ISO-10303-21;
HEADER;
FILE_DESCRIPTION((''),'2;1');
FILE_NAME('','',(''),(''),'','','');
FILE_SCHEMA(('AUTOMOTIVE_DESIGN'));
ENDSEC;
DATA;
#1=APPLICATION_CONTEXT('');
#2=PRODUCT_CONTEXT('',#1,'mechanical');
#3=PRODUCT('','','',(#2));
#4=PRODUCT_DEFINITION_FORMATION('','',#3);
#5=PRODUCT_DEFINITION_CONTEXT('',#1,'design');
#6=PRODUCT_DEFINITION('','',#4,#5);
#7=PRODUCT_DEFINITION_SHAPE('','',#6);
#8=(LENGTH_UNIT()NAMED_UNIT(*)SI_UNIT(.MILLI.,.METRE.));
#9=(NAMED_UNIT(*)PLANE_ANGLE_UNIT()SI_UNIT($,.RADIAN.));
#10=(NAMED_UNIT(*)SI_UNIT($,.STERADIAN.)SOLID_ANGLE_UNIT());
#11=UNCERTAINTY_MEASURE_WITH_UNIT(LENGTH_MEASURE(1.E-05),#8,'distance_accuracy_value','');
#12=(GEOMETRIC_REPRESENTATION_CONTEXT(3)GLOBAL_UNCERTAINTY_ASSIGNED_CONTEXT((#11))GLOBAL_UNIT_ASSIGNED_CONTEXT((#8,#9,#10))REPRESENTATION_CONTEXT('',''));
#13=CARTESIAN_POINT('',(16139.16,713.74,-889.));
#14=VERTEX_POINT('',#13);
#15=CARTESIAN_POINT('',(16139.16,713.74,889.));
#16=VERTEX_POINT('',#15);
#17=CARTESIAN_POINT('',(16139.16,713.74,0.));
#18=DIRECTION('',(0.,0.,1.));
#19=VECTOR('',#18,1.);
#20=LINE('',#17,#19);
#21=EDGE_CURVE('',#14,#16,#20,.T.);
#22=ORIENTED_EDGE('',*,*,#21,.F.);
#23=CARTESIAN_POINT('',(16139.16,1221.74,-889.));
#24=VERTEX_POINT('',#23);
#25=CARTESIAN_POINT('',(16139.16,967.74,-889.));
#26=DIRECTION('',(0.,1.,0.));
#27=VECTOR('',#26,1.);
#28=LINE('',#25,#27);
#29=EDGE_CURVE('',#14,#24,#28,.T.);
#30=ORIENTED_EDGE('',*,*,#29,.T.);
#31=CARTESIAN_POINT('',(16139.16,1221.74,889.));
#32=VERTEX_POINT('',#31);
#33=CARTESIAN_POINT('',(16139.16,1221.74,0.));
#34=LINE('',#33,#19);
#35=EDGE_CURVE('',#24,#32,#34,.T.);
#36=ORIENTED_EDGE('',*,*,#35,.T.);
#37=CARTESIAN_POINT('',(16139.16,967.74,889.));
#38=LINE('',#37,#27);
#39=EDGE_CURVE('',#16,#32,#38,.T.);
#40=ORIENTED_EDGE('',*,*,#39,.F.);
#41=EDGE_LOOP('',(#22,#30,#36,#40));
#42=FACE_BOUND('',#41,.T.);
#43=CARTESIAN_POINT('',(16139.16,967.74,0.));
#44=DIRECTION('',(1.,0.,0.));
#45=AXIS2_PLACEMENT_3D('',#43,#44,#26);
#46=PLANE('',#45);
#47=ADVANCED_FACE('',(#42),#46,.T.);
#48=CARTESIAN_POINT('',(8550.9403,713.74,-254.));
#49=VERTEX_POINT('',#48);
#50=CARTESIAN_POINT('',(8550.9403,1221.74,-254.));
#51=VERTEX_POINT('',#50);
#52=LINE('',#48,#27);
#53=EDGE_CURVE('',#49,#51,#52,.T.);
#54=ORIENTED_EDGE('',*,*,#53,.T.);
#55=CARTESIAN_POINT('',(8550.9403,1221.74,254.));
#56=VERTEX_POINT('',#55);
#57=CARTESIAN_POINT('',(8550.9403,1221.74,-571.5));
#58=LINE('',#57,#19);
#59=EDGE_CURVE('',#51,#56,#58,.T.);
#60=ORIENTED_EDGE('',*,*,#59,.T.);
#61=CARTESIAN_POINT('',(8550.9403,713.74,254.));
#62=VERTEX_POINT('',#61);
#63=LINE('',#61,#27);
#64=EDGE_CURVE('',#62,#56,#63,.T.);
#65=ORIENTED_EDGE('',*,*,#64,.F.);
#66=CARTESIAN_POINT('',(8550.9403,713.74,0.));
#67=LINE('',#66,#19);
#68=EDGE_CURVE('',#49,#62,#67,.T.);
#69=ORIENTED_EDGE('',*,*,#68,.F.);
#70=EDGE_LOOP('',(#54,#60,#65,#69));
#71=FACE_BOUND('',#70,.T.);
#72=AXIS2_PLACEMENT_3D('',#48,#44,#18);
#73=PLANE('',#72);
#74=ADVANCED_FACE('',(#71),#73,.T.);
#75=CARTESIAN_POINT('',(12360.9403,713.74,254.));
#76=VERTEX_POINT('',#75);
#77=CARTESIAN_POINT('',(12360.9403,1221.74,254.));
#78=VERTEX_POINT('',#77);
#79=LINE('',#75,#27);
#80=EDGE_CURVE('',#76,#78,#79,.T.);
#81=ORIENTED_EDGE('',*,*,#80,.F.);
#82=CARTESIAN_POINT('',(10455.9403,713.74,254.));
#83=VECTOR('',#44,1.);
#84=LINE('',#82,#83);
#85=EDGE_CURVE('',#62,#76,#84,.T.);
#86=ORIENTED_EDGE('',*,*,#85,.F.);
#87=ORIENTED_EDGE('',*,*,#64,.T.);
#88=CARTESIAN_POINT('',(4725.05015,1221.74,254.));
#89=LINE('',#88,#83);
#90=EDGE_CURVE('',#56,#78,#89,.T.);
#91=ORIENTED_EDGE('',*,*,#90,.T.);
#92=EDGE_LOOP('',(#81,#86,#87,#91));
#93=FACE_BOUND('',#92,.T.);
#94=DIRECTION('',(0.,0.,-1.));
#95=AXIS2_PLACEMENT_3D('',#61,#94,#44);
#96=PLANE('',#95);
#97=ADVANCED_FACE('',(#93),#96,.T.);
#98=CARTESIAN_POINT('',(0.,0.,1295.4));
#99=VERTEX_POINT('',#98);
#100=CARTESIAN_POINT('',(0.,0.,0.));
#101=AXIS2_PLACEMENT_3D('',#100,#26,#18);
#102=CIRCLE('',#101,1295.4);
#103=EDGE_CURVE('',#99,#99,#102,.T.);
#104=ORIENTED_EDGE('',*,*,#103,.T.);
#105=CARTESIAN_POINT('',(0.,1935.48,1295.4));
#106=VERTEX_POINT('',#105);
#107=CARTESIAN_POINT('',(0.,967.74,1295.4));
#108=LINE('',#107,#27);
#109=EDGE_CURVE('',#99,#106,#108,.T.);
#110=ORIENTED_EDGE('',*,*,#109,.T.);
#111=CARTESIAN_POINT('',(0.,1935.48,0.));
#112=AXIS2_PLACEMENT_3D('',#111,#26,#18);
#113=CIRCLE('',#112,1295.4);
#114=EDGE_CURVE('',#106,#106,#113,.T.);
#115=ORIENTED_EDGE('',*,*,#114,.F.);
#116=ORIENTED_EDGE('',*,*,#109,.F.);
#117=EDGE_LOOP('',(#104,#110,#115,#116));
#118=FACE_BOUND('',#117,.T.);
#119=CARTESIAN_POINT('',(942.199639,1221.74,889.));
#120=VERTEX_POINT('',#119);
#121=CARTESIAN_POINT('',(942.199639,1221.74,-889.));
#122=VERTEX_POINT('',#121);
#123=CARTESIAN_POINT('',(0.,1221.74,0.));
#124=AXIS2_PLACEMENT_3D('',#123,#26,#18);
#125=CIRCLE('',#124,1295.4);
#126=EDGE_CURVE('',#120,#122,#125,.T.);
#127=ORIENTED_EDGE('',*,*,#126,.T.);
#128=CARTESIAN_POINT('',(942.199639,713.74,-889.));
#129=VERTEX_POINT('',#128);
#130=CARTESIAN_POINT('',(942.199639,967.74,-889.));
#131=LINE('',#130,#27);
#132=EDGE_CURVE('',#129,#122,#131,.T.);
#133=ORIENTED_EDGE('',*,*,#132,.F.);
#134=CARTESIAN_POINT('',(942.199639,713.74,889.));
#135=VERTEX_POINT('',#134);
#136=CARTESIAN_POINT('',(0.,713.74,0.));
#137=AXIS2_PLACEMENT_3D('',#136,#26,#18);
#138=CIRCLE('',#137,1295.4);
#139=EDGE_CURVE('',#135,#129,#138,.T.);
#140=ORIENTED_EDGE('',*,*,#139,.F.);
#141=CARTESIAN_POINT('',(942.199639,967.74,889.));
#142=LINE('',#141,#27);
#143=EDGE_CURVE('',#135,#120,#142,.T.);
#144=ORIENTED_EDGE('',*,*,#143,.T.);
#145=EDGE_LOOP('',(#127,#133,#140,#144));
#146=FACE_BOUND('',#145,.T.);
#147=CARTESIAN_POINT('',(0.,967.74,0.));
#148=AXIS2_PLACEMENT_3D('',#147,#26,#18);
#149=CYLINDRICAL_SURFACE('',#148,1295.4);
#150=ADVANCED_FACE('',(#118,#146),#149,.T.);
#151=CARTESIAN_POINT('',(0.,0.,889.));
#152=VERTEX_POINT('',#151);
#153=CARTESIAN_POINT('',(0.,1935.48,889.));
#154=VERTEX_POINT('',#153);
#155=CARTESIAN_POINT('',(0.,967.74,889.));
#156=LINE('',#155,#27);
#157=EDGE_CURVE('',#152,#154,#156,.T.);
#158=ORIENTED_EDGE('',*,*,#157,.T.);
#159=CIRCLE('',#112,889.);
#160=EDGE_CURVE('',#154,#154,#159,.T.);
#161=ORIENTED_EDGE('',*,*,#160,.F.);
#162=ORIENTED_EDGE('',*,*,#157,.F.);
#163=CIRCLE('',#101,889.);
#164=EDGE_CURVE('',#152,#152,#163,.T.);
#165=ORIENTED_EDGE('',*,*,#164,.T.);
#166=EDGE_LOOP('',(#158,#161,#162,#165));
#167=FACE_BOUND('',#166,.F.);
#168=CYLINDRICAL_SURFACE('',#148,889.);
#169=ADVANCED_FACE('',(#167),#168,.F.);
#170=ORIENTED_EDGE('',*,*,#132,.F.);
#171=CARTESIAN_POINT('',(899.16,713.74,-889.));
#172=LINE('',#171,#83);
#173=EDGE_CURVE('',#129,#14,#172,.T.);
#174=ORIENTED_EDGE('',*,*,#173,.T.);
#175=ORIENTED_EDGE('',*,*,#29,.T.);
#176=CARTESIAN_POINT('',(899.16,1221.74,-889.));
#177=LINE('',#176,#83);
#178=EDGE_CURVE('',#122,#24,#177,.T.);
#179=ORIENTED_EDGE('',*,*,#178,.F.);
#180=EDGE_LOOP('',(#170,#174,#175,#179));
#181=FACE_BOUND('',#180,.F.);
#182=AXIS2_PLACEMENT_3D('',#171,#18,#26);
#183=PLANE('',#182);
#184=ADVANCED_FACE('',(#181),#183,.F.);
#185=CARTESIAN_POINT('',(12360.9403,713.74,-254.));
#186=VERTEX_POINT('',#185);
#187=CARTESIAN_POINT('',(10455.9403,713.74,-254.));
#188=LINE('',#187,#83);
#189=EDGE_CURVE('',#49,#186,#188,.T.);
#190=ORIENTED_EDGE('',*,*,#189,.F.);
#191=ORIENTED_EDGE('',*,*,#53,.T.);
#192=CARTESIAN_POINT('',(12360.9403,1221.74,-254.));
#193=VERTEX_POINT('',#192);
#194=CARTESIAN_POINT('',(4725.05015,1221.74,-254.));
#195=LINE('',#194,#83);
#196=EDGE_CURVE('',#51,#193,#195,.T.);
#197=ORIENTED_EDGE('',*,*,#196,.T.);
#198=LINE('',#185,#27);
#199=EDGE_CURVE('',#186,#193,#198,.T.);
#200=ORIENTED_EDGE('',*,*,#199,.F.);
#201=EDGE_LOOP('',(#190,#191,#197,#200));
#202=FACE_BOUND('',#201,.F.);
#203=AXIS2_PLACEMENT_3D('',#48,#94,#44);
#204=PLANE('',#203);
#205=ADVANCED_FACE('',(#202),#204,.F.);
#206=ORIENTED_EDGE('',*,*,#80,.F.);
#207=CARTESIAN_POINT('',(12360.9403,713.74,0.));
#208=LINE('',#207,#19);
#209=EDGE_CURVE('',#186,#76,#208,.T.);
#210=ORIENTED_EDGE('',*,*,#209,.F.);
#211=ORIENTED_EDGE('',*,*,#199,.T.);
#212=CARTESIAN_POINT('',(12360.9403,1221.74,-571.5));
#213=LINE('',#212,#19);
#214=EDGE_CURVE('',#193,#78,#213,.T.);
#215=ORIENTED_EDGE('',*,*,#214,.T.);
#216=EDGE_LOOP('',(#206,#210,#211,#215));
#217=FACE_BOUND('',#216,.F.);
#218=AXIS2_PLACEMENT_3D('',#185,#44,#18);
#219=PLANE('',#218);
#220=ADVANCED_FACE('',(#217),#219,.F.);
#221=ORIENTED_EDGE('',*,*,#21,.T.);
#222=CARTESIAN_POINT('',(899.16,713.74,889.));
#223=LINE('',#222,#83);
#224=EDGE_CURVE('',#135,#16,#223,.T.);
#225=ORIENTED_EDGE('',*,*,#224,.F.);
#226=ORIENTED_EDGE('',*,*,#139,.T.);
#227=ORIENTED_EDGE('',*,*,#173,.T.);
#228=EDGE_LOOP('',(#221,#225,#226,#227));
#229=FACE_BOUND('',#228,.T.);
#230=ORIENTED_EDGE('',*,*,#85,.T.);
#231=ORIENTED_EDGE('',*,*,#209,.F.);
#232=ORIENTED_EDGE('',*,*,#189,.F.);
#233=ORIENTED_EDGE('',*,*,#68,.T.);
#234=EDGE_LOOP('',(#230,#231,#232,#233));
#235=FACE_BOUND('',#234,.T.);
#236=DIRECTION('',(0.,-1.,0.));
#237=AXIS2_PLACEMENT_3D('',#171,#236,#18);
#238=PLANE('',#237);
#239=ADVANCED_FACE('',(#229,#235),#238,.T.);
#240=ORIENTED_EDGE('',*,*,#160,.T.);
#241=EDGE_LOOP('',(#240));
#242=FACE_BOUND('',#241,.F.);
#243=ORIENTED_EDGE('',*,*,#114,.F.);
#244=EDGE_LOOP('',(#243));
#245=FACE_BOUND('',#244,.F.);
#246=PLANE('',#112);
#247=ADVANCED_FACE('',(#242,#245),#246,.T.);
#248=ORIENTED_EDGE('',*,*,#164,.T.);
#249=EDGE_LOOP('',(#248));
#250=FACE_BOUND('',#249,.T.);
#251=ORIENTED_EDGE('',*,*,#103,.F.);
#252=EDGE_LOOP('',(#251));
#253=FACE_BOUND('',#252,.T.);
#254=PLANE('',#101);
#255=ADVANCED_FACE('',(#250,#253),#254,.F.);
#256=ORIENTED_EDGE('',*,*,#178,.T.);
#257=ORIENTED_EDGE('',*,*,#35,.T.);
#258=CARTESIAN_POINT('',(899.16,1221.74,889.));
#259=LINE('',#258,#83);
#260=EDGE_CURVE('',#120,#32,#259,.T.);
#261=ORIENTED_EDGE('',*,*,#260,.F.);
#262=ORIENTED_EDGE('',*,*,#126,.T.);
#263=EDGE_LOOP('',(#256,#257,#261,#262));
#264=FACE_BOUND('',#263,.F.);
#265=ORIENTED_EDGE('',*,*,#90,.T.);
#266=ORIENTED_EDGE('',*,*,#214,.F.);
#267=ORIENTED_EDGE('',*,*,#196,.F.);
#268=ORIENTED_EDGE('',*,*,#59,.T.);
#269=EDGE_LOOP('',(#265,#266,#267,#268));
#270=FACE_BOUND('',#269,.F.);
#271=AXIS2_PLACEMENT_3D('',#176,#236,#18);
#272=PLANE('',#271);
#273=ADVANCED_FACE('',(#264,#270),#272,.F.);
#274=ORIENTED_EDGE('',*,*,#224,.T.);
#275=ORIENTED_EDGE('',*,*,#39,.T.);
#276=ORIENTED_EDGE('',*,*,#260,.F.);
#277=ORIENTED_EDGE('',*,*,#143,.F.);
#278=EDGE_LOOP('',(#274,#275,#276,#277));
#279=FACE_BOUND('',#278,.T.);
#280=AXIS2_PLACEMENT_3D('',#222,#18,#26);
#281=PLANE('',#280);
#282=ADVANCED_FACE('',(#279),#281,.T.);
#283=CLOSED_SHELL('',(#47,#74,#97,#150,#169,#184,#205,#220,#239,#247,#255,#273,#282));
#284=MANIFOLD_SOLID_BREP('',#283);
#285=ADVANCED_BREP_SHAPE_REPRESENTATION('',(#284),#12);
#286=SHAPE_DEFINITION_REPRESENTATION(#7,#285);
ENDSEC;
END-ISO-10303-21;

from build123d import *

# Parameters (mm, degrees)
F0_W     = 1935.48
F0_H     = 406.4
F3_W     = 508
F3_H     = 1778
F4_DEPTH = 15240
F5_W     = 3810
F5_H     = 508
F6_DEPTH = 1221.741


with BuildPart() as f1:
    # F0 (on Right) → F1 (revolve)
    with BuildSketch(Plane.YZ):
        with Locations((967.74, 1092.2)):
            Rectangle(F0_W, F0_H)
    revolve(axis=Axis((0, 366.825014, 0), (0, 1, 0)))

    # F3 (on offset) → F4 (join)
    with BuildSketch(Plane.YZ.offset(899.16)):
        with Locations((967.74, 0)):
            Rectangle(F3_W, F3_H)
    extrude(amount=F4_DEPTH)

    # F5 (on face) → F6 (cut, through all)
    with BuildSketch(Plane.XZ.offset(-713.74)):
        with Locations((10455.9403, 0)):
            Rectangle(F5_W, F5_H)
    extrude(amount=-F6_DEPTH, mode=Mode.SUBTRACT)


solid = f1.part
